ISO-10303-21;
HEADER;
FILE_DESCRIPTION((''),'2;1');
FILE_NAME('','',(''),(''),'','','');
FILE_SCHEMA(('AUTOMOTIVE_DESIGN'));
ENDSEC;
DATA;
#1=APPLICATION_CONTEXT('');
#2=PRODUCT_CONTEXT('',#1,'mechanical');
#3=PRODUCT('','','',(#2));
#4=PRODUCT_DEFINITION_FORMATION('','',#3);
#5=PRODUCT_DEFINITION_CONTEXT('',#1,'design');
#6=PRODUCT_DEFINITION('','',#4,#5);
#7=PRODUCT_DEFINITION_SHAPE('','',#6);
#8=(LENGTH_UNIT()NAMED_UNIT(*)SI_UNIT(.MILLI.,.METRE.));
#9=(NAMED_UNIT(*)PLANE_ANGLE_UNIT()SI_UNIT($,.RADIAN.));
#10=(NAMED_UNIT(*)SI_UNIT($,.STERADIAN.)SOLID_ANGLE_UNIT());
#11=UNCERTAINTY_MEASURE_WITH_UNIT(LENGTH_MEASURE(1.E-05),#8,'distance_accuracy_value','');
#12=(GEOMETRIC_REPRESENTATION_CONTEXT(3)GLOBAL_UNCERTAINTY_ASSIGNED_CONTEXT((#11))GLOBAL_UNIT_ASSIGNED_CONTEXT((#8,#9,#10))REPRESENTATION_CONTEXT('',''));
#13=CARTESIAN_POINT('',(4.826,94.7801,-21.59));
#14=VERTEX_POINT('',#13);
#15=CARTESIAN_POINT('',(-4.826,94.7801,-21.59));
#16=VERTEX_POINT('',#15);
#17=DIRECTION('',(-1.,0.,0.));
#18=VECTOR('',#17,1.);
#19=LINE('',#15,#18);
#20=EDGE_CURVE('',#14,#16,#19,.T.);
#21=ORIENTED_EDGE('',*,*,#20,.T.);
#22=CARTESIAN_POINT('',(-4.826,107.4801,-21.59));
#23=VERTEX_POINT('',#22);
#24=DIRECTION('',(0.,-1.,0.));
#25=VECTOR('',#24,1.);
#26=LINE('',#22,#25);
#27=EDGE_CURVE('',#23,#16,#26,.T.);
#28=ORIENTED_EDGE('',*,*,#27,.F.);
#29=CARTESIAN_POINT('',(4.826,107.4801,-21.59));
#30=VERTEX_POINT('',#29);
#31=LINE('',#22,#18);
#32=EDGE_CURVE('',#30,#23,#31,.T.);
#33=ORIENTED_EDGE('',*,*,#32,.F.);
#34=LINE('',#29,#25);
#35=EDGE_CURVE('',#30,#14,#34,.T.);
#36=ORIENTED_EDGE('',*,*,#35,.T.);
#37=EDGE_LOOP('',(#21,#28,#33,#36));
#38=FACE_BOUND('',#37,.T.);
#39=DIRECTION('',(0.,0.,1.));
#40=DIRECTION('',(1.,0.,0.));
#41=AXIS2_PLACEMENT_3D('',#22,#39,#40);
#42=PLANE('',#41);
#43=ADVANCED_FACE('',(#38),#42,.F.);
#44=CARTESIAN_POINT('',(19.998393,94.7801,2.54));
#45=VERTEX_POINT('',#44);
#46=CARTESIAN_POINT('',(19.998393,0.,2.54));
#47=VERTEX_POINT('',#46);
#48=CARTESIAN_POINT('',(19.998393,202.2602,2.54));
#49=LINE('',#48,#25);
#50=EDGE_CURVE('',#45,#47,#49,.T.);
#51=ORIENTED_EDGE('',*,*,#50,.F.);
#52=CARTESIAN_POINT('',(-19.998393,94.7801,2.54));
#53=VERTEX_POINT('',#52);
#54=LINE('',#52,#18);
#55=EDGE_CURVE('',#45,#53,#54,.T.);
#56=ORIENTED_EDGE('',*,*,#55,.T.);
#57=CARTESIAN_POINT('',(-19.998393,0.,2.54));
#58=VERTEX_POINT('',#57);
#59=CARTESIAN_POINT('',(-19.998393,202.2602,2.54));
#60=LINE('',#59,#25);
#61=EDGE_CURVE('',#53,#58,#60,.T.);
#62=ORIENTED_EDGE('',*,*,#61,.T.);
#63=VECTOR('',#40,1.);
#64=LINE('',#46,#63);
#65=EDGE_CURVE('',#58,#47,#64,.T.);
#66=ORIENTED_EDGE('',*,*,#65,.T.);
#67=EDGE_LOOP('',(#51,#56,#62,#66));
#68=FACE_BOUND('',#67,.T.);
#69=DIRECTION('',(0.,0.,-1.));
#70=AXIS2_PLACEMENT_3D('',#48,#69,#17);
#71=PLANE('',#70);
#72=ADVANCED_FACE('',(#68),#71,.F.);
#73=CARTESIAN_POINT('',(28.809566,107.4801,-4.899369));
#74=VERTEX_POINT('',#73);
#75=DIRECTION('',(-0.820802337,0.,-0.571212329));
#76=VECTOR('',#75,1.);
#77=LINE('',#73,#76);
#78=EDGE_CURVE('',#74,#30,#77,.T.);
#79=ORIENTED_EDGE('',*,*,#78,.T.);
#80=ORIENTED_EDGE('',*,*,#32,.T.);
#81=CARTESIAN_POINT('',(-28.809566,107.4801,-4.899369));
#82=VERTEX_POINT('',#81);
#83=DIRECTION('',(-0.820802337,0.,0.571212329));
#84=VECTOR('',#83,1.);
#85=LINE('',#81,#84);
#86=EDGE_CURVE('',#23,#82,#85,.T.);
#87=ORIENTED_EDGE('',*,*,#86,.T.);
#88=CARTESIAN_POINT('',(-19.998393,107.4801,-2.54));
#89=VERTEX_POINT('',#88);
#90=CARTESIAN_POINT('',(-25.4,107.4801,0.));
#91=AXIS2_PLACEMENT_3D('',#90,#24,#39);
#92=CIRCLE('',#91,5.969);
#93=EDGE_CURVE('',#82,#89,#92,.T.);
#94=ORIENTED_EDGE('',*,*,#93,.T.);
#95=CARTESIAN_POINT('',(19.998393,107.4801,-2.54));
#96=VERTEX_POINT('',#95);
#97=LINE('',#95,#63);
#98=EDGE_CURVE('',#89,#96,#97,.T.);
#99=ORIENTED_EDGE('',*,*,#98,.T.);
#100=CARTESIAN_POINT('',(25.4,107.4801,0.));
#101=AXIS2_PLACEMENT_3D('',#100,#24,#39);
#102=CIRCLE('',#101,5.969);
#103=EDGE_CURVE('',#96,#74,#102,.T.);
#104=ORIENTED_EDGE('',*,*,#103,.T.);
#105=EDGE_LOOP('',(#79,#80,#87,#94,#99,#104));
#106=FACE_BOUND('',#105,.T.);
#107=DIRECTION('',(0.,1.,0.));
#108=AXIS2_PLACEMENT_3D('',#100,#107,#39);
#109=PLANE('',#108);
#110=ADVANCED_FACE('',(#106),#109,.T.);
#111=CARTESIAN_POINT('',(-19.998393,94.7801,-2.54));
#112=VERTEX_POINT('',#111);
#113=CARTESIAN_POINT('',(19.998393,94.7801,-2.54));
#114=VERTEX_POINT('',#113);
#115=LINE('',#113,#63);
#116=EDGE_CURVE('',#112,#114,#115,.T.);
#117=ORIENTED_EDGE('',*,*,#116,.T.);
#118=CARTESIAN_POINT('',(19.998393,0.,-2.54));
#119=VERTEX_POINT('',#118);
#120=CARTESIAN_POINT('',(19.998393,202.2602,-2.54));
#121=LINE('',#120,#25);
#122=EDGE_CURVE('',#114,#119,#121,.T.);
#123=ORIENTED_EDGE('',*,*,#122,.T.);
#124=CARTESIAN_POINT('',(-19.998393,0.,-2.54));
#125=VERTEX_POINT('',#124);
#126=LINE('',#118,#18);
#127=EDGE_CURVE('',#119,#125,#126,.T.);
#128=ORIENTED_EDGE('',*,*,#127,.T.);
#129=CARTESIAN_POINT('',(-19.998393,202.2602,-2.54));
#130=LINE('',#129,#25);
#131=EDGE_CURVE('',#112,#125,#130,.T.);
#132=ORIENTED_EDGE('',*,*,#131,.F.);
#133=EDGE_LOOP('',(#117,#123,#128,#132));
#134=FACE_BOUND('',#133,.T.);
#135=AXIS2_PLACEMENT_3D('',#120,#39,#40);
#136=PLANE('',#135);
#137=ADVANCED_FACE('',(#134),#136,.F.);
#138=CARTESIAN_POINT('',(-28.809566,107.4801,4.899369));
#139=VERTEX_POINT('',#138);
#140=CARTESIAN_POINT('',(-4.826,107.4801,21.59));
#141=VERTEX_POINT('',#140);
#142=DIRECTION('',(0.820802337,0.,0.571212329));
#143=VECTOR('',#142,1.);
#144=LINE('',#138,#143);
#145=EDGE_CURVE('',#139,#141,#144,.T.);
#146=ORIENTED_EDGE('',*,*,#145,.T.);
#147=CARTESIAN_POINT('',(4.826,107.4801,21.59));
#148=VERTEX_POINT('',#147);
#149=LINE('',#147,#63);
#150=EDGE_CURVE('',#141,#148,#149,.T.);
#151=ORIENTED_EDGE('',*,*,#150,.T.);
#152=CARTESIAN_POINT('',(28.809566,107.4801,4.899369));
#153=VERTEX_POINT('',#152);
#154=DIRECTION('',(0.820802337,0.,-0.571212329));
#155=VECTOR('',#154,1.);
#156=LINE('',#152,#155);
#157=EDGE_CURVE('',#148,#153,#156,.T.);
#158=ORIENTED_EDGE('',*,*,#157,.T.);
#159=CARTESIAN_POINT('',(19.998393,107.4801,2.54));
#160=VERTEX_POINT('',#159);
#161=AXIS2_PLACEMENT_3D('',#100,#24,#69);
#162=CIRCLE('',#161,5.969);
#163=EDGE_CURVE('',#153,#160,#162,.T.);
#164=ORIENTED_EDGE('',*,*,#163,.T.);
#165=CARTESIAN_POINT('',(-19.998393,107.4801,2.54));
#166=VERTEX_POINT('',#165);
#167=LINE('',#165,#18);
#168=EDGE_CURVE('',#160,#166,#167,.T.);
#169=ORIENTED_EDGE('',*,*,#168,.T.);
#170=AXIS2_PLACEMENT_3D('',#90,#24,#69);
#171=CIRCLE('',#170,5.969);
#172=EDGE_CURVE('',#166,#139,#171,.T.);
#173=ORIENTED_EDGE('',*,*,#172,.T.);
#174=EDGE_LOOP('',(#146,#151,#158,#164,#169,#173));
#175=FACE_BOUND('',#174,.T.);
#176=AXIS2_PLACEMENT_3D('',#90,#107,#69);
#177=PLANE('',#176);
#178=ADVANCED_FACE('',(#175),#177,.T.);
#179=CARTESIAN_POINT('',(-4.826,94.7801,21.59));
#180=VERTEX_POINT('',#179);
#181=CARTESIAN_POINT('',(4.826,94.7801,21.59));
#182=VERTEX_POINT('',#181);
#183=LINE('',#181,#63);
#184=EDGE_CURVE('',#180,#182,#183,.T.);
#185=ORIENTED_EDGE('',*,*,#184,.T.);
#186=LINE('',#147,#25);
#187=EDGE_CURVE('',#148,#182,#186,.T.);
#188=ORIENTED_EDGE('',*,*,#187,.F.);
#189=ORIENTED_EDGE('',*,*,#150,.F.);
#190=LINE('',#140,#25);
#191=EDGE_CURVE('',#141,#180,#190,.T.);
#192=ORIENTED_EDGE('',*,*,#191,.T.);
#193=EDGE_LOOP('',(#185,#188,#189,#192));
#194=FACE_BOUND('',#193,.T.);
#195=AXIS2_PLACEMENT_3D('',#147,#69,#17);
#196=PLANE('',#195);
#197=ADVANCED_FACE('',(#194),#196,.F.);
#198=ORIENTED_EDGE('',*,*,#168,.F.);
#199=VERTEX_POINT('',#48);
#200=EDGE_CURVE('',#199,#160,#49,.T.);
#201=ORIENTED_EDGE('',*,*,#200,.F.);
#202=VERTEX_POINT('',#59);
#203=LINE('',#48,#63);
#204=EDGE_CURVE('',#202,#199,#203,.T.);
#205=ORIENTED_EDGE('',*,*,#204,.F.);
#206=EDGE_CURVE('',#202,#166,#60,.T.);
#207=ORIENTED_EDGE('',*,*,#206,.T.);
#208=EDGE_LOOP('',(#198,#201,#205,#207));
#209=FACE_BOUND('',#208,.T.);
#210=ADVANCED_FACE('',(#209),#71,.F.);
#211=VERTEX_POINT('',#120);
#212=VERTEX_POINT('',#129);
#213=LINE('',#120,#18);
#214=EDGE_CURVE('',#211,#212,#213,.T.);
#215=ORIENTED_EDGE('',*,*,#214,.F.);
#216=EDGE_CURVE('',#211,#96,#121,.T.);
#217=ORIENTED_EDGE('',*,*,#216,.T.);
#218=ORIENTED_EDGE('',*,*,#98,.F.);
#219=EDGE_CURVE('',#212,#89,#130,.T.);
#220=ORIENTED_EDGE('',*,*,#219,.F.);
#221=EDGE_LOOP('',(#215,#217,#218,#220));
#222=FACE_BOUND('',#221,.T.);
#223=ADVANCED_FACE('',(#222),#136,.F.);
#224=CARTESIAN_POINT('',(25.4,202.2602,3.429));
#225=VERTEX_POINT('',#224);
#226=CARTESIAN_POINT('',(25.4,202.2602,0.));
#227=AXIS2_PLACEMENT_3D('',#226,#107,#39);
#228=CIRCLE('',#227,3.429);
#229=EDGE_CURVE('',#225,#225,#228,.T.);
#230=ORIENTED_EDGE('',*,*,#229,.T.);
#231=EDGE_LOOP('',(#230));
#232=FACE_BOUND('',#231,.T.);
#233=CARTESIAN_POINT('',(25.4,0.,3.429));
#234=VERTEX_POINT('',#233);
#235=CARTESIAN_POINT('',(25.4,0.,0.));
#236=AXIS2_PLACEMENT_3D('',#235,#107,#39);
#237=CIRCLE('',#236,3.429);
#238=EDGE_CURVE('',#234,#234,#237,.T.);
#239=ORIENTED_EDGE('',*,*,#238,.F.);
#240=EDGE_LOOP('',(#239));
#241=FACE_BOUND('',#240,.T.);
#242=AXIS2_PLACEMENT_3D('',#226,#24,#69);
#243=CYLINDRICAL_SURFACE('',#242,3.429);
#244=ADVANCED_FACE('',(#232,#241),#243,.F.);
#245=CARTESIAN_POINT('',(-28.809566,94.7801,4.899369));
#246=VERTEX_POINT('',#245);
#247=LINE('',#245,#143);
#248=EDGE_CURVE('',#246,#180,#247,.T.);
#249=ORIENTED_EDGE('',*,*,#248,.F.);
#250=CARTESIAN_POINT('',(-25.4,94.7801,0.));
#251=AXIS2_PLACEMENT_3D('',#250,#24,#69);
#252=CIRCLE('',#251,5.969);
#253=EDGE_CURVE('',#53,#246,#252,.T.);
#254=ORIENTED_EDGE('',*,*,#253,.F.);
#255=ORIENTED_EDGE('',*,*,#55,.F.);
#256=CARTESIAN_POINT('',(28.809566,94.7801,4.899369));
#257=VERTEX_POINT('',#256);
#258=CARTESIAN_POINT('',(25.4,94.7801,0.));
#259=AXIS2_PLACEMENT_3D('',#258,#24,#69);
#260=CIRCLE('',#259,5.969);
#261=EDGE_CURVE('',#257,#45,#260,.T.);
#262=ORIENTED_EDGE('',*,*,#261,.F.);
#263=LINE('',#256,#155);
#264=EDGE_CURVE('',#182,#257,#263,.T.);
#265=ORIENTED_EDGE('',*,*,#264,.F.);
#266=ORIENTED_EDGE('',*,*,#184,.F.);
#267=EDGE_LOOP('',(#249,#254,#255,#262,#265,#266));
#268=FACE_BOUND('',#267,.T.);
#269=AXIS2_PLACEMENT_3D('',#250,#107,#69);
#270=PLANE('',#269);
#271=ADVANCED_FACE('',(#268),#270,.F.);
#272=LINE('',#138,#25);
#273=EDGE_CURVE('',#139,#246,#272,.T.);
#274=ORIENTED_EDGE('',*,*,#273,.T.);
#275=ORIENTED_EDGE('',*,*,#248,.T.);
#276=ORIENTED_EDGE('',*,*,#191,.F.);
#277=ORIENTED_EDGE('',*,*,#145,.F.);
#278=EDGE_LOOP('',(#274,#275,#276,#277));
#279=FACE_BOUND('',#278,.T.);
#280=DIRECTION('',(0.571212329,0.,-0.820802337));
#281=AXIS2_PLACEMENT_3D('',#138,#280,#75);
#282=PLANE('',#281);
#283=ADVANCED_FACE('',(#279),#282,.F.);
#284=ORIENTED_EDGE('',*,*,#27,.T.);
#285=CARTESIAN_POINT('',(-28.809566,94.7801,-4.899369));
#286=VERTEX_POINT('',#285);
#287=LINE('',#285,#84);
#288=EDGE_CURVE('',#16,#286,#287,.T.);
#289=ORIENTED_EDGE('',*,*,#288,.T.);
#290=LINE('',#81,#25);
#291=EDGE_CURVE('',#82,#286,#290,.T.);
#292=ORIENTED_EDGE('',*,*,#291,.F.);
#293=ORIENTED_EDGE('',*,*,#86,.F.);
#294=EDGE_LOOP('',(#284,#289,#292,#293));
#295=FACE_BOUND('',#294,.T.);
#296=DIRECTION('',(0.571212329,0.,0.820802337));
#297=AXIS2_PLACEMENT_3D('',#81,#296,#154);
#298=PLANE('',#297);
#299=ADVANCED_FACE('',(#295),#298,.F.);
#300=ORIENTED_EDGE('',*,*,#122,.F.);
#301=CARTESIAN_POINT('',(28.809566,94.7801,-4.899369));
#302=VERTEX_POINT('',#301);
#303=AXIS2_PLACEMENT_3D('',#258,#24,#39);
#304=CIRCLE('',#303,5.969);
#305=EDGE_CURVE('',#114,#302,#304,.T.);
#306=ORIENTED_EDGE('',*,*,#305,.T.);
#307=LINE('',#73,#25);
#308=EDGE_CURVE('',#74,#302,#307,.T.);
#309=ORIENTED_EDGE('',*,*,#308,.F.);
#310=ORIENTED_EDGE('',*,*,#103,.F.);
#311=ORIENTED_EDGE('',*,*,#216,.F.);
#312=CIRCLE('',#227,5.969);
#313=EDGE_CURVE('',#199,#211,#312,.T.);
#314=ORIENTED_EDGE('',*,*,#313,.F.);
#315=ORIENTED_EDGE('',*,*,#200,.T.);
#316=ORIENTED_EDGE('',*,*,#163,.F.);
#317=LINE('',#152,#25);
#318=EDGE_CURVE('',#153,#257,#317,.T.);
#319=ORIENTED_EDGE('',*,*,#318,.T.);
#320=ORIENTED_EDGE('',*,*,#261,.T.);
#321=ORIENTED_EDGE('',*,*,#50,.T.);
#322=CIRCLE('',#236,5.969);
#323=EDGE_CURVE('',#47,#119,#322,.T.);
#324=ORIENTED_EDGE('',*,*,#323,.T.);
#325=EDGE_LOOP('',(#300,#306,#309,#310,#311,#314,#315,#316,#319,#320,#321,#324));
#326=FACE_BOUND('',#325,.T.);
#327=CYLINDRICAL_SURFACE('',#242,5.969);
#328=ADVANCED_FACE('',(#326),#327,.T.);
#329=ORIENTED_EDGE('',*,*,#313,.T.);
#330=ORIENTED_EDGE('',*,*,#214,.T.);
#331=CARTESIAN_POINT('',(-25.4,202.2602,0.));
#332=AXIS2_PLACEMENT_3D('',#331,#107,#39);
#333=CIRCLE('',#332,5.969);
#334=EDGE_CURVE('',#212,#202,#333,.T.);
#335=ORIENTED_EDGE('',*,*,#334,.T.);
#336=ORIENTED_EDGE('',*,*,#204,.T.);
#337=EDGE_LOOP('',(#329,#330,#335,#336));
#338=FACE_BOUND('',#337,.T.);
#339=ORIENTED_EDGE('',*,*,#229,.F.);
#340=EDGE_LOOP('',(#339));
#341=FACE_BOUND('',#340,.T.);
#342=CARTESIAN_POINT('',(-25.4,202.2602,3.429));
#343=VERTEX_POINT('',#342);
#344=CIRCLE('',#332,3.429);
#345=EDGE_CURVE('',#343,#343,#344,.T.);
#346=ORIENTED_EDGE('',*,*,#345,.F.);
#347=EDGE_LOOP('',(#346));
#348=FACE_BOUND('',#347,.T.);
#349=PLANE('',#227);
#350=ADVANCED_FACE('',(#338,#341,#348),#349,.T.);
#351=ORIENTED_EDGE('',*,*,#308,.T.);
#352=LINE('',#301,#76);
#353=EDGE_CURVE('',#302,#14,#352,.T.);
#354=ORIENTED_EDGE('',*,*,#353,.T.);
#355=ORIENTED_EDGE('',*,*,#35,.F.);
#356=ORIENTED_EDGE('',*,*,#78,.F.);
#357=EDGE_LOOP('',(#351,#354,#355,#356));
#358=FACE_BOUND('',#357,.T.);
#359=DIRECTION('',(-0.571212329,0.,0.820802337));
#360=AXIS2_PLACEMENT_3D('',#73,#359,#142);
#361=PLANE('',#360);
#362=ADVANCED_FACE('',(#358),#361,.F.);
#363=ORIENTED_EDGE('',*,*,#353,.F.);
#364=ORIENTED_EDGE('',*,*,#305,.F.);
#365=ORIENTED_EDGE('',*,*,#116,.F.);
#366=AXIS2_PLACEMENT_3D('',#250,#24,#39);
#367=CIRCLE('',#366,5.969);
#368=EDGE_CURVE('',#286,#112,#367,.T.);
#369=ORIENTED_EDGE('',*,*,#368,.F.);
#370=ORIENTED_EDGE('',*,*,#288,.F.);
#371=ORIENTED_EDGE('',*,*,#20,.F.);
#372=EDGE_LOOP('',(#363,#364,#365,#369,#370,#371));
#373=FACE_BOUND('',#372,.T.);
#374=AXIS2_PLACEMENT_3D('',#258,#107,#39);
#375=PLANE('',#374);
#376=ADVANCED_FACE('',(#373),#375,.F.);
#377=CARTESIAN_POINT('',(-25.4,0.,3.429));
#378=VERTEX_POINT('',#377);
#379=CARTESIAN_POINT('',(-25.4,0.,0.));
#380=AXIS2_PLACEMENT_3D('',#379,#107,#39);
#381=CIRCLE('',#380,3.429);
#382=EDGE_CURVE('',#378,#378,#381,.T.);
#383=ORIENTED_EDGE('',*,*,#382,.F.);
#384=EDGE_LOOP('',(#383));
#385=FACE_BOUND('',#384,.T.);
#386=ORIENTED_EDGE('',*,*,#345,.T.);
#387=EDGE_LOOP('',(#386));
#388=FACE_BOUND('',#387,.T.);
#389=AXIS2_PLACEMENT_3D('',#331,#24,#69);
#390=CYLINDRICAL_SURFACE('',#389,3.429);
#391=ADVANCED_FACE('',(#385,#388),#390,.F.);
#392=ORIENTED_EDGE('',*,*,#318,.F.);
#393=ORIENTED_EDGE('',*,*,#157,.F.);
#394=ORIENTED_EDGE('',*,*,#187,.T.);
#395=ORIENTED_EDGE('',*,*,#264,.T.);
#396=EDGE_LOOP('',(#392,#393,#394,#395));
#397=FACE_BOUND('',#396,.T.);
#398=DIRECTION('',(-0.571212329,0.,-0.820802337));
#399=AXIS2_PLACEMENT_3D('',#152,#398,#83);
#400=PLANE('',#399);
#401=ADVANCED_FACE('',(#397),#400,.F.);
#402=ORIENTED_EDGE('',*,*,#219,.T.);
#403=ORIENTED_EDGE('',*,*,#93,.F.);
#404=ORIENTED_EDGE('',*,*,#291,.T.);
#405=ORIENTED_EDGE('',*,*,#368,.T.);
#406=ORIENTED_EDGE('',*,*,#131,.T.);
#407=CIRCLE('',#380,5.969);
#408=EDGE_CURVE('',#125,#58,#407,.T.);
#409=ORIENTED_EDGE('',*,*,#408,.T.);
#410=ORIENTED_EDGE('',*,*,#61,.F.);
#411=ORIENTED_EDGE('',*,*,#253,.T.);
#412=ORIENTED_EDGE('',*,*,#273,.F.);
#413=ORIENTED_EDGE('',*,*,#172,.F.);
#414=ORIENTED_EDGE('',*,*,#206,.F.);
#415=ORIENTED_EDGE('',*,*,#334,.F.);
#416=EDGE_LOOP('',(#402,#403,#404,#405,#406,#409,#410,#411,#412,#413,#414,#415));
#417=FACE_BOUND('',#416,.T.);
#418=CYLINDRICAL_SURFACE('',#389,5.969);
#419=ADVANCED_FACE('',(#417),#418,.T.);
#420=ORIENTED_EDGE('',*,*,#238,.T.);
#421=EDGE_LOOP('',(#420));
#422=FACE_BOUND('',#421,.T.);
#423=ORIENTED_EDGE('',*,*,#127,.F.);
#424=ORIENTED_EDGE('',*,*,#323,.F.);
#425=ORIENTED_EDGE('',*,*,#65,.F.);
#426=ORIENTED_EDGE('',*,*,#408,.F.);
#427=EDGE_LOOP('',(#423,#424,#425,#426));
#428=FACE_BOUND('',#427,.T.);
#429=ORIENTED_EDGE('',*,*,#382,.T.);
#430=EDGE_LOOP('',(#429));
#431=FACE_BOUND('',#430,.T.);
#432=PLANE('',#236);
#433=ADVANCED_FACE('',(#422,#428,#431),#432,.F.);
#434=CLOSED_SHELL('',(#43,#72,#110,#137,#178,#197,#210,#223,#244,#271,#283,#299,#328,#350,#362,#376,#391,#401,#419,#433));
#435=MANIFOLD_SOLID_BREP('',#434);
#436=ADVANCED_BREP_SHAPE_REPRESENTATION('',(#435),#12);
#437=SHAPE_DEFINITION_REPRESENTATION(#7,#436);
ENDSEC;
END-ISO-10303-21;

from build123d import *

# Parameters (mm, degrees)
SKETCH1_R           = 3.429
BOSS_EXTRUDE1_DEPTH = 202.2602
BOSS_EXTRUDE2_DEPTH = 6.35
CIRPATTERN1_COUNT   = 2


with BuildPart() as part:
    # Sketch1 → Boss-Extrude1 (new body)
    with BuildSketch(Plane(origin=(0, 0, 0), x_dir=(1, 0, 0), z_dir=(0, 1, 0))):
        with BuildLine():
            Line((19.998392739, 2.54), (-19.998392739, 2.54))
            ThreePointArc((-19.998392739, 2.54), (-31.369, 0), (-19.998392739, -2.54))
            Line((-19.998392739, -2.54), (19.998392739, -2.54))
            ThreePointArc((19.998392739, -2.54), (31.369, 0), (19.998392739, 2.54))
        make_face()
        with Locations((-25.4, 0)):
            Circle(SKETCH1_R, mode=Mode.SUBTRACT)
        with Locations((25.4, 0)):
            Circle(SKETCH1_R, mode=Mode.SUBTRACT)
    extrude(amount=BOSS_EXTRUDE1_DEPTH)

    # Sketch3 → Boss-Extrude2 (add, symmetric)
    with BuildSketch(Plane(origin=(0, 101.1301, 0), x_dir=(1, 0, 0), z_dir=(0, 1, 0))):
        with BuildLine():
            Line((-28.809566389, 4.899369147), (-4.826, 21.59))
            Line((-4.826, 21.59), (4.826, 21.59))
            Line((4.826, 21.59), (28.809566389, 4.899369147))
            ThreePointArc((28.809566389, 4.899369147), (23.85607241, 5.765869284), (19.998392739, 2.54))
            Line((19.998392739, 2.54), (-19.998392739, 2.54))
            ThreePointArc((-19.998392739, 2.54), (-23.85607241, 5.765869284), (-28.809566389, 4.899369147))
        make_face()
    boss_extrude2 = extrude(amount=BOSS_EXTRUDE2_DEPTH, both=True)

    # CirPattern1: Boss-Extrude2 ×2 about axis
    cirpattern1_axis = Axis((0, -10.11301, 0), (0, 1, 0))
    for i in range(1, CIRPATTERN1_COUNT):
        add(boss_extrude2.rotate(cirpattern1_axis, i * 360 / CIRPATTERN1_COUNT))


solid = part.part
